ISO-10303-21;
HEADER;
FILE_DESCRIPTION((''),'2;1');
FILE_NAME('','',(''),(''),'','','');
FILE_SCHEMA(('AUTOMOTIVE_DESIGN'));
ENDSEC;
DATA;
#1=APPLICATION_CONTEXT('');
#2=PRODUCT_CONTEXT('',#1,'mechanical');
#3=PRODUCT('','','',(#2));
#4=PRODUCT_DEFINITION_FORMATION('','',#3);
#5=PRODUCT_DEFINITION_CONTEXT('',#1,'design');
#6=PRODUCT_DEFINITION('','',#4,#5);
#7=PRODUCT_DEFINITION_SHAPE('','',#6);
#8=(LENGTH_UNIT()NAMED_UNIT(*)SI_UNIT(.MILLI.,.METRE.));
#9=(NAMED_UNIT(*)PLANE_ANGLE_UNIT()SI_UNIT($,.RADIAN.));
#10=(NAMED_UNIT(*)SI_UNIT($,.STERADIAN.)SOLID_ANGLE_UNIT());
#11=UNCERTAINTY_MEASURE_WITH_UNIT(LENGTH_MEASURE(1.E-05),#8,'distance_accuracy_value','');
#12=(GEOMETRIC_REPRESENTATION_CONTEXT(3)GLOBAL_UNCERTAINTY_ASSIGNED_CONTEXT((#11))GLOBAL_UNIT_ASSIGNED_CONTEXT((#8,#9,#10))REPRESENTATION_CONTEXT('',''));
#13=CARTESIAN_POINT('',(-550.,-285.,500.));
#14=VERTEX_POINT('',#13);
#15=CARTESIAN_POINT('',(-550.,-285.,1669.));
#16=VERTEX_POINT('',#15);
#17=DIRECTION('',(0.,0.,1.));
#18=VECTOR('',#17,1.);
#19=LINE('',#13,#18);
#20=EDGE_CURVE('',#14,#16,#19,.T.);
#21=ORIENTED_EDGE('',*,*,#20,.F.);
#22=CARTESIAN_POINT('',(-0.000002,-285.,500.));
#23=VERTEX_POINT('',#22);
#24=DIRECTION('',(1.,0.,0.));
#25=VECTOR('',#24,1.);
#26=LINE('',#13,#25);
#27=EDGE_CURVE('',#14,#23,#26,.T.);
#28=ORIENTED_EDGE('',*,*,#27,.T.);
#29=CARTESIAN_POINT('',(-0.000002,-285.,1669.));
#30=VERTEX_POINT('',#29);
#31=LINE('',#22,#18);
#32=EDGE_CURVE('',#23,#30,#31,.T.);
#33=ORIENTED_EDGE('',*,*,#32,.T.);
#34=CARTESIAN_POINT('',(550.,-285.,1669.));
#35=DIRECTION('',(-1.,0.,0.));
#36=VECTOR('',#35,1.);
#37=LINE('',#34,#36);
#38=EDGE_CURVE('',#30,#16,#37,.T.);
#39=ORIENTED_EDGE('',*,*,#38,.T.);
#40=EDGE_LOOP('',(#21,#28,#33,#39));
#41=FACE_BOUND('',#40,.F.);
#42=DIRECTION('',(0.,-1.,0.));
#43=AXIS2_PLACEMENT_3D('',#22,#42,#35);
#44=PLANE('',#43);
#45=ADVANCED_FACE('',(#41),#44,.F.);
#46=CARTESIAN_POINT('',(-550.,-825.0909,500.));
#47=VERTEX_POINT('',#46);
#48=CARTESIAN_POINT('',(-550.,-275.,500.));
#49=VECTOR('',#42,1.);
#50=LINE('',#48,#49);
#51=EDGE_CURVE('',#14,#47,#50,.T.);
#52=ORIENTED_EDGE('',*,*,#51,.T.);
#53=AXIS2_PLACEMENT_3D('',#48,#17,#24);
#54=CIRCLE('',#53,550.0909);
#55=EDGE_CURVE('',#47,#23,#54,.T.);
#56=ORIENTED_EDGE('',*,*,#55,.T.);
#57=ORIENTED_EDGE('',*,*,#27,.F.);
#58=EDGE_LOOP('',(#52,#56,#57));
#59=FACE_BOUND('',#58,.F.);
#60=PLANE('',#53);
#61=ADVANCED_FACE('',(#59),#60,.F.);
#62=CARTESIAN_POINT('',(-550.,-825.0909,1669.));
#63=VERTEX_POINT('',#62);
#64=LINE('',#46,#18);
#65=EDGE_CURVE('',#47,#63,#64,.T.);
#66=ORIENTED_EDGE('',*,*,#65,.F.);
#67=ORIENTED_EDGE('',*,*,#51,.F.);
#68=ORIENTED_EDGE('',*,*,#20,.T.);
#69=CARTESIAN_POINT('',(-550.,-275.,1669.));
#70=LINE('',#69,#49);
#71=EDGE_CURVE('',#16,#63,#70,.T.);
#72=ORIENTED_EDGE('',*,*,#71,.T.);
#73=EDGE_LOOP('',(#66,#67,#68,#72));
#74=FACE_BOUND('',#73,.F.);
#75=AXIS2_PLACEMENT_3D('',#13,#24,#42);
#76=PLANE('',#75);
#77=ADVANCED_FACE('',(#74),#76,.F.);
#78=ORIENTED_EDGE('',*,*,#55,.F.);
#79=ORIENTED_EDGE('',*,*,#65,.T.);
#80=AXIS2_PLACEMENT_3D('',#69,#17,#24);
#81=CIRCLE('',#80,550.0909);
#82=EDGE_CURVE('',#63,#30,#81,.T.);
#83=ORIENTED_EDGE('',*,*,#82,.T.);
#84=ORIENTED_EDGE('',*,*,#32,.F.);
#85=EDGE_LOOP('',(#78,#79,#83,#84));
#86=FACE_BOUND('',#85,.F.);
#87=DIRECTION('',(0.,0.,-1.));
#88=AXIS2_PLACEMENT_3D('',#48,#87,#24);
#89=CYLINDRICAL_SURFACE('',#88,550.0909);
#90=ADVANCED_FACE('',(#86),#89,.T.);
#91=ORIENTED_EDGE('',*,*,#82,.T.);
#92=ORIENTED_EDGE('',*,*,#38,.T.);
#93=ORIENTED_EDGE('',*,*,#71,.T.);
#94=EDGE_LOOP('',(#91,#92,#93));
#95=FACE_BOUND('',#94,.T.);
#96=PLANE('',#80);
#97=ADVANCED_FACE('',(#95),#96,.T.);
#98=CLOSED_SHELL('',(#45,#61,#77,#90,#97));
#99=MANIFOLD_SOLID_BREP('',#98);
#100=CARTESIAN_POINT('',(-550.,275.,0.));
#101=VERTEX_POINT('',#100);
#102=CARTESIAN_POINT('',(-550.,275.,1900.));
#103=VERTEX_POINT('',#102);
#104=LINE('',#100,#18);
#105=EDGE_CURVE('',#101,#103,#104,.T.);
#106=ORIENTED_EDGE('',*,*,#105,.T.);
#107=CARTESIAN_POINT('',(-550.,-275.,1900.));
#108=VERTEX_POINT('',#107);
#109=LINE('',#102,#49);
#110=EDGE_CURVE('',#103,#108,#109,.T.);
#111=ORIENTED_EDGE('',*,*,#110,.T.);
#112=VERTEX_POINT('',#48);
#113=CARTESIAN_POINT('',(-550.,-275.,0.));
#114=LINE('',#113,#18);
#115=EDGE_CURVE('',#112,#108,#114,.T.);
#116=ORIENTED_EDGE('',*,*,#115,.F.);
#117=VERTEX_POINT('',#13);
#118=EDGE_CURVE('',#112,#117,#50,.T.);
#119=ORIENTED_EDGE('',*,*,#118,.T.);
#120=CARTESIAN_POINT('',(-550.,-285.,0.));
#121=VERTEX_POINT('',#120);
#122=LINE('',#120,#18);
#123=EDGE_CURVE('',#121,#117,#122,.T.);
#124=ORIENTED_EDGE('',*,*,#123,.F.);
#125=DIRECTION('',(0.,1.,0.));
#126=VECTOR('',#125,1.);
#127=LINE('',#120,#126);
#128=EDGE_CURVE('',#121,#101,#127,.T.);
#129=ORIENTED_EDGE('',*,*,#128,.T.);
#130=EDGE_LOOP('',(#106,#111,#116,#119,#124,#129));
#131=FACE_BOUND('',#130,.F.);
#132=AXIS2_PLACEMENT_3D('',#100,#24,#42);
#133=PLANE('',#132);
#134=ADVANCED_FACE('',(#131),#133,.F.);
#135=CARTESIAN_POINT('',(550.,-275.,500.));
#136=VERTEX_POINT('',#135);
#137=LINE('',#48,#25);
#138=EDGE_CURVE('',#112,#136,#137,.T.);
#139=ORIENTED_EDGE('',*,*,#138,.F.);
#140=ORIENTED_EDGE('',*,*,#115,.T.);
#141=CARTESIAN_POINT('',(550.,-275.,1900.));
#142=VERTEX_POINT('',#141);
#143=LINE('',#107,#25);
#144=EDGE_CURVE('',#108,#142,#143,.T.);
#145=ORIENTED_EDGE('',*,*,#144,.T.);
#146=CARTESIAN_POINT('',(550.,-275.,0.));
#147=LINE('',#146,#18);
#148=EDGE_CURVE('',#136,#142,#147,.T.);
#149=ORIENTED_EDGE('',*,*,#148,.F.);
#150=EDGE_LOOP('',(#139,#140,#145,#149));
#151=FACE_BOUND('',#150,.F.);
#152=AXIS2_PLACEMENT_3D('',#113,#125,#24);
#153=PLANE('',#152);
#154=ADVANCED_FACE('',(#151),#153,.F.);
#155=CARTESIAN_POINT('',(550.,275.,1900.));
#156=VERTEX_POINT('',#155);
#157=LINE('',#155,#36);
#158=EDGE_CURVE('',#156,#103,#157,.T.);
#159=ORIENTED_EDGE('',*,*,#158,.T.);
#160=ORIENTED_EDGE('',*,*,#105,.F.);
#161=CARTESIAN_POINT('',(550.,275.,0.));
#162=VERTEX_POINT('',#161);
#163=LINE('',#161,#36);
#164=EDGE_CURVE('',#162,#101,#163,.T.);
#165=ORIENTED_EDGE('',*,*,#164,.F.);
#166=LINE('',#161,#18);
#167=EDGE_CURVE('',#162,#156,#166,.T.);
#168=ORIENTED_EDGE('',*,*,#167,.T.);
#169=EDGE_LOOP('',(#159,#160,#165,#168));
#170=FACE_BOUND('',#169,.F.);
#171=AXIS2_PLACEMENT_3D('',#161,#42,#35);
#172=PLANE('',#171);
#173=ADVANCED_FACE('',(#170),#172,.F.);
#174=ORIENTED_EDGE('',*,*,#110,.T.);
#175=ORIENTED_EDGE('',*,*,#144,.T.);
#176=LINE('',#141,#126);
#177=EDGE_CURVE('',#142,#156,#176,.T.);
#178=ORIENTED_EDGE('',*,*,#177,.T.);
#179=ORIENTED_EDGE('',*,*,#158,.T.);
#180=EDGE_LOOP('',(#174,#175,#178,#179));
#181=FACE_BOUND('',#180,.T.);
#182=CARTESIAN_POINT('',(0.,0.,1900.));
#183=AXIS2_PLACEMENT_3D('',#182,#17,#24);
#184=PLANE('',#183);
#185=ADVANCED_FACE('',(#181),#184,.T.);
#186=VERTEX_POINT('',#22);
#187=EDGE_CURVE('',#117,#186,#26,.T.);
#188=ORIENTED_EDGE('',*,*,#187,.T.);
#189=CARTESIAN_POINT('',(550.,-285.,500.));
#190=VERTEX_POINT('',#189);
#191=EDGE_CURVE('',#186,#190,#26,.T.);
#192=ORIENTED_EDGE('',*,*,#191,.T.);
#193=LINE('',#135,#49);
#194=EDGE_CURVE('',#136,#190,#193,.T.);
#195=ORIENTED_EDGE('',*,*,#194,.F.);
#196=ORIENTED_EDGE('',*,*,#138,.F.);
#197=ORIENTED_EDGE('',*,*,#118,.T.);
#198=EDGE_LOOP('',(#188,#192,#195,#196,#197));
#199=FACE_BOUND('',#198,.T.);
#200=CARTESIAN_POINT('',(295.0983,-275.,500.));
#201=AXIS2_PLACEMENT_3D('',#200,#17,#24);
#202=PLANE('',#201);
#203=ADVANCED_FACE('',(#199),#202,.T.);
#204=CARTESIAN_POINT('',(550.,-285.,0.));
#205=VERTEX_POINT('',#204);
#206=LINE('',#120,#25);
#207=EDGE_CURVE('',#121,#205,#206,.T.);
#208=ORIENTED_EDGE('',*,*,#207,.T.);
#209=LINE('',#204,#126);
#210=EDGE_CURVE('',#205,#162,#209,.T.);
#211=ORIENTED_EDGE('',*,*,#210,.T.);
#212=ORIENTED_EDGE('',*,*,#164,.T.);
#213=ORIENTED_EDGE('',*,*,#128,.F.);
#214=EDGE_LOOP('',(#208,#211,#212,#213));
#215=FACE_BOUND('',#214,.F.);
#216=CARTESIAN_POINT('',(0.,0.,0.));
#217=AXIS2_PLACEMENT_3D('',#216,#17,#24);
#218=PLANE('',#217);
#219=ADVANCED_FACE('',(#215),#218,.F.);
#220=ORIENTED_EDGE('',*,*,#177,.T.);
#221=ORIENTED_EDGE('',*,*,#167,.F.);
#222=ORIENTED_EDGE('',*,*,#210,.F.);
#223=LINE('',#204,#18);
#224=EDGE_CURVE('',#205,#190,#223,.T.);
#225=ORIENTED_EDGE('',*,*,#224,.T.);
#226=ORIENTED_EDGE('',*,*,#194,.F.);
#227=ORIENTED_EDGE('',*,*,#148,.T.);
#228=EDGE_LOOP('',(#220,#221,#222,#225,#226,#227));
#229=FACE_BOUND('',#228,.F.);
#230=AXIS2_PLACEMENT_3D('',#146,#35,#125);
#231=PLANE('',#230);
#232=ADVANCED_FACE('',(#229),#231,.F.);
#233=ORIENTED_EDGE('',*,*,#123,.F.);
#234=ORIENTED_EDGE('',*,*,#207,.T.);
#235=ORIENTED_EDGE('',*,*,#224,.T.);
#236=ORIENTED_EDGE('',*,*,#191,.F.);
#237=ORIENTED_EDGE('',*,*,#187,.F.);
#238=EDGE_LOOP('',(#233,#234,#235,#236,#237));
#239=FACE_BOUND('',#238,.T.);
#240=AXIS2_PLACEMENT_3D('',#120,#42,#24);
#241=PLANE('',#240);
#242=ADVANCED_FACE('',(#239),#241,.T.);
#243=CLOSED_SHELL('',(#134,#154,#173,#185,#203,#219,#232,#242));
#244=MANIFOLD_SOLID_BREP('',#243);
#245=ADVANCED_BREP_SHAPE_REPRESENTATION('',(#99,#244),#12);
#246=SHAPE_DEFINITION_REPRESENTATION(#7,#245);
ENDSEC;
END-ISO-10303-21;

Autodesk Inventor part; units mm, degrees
ref_plane "YZ Plane" through (0, 0, 0) normal (1, 0, 0) x (0, 1, 0)
ref_plane "XZ Plane" through (0, 0, 0) normal (0, 1, 0) x (-1, 0, 0)
ref_plane "XY Plane" through (0, 0, 0) normal (0, 0, 1) x (1, 0, 0)
sketch "Sketch1" plane through (0, 0, 0) normal (0, 0, 1) x (1, 0, 0)
  line L0 (550, 275) -> (-550, 275)
  line L1 (-550, 275) -> (-550, -275)
  line L2 (-550, -275) -> (550, -275)
  line L3 (550, -275) -> (550, 275)
  line L4 (550, 275) -> (-550, -275) construction
  line L5 (-550, 275) -> (550, -275) construction
  point P0 (0, 0)
  dimension "d0" = 1100
  dimension "d1" = 550
extrude "Extrusion1" add sketch "Sketch1" along normal blind 1900
sketch "Sketch2" plane through (-550, -275, 0) normal (0, -1, 0) x (1, 0, 0)
  line L0 (0, 0) -> (1100, 0) projected
  line L1 (1100, 0) -> (1100, 1900) projected
  line L2 (0, 1900) -> (1100, 1900) projected
  line L3 (0, 0) -> (0, 1900) projected
  line L4 (0, 500) -> (1100, 500)
  line L5 (845.0983, 500) -> (550, 1900)
  point P0 (550, 0)
  dimension "d4" = 500
extrude "Extrusion2" add sketch "Sketch2" along normal blind 10 contours L3 L4 L1 L0
sketch "Sketch3" plane through (-550, -275, 500) normal (0, 0, 1) x (1, 0, 0)
  line L0 (0, 0) -> (1100, 0) projected
  line L1 (0, 0) -> (0, -10) projected
  line L2 (1100, -10) -> (0, -10) projected
  line L3 (1100, 0) -> (1100, -10) projected
  circle A0 centre (0, 0) radius 550.0909
  line L4 (0, 0) -> (0, -550.0909)
  point P0 (550, 275)
  point P1 (550, -10)
extrude "Extrusion3" add sketch "Sketch3" along normal blind 1169 contours L2 A0 L4
properties part number "BSH 01 bag"
